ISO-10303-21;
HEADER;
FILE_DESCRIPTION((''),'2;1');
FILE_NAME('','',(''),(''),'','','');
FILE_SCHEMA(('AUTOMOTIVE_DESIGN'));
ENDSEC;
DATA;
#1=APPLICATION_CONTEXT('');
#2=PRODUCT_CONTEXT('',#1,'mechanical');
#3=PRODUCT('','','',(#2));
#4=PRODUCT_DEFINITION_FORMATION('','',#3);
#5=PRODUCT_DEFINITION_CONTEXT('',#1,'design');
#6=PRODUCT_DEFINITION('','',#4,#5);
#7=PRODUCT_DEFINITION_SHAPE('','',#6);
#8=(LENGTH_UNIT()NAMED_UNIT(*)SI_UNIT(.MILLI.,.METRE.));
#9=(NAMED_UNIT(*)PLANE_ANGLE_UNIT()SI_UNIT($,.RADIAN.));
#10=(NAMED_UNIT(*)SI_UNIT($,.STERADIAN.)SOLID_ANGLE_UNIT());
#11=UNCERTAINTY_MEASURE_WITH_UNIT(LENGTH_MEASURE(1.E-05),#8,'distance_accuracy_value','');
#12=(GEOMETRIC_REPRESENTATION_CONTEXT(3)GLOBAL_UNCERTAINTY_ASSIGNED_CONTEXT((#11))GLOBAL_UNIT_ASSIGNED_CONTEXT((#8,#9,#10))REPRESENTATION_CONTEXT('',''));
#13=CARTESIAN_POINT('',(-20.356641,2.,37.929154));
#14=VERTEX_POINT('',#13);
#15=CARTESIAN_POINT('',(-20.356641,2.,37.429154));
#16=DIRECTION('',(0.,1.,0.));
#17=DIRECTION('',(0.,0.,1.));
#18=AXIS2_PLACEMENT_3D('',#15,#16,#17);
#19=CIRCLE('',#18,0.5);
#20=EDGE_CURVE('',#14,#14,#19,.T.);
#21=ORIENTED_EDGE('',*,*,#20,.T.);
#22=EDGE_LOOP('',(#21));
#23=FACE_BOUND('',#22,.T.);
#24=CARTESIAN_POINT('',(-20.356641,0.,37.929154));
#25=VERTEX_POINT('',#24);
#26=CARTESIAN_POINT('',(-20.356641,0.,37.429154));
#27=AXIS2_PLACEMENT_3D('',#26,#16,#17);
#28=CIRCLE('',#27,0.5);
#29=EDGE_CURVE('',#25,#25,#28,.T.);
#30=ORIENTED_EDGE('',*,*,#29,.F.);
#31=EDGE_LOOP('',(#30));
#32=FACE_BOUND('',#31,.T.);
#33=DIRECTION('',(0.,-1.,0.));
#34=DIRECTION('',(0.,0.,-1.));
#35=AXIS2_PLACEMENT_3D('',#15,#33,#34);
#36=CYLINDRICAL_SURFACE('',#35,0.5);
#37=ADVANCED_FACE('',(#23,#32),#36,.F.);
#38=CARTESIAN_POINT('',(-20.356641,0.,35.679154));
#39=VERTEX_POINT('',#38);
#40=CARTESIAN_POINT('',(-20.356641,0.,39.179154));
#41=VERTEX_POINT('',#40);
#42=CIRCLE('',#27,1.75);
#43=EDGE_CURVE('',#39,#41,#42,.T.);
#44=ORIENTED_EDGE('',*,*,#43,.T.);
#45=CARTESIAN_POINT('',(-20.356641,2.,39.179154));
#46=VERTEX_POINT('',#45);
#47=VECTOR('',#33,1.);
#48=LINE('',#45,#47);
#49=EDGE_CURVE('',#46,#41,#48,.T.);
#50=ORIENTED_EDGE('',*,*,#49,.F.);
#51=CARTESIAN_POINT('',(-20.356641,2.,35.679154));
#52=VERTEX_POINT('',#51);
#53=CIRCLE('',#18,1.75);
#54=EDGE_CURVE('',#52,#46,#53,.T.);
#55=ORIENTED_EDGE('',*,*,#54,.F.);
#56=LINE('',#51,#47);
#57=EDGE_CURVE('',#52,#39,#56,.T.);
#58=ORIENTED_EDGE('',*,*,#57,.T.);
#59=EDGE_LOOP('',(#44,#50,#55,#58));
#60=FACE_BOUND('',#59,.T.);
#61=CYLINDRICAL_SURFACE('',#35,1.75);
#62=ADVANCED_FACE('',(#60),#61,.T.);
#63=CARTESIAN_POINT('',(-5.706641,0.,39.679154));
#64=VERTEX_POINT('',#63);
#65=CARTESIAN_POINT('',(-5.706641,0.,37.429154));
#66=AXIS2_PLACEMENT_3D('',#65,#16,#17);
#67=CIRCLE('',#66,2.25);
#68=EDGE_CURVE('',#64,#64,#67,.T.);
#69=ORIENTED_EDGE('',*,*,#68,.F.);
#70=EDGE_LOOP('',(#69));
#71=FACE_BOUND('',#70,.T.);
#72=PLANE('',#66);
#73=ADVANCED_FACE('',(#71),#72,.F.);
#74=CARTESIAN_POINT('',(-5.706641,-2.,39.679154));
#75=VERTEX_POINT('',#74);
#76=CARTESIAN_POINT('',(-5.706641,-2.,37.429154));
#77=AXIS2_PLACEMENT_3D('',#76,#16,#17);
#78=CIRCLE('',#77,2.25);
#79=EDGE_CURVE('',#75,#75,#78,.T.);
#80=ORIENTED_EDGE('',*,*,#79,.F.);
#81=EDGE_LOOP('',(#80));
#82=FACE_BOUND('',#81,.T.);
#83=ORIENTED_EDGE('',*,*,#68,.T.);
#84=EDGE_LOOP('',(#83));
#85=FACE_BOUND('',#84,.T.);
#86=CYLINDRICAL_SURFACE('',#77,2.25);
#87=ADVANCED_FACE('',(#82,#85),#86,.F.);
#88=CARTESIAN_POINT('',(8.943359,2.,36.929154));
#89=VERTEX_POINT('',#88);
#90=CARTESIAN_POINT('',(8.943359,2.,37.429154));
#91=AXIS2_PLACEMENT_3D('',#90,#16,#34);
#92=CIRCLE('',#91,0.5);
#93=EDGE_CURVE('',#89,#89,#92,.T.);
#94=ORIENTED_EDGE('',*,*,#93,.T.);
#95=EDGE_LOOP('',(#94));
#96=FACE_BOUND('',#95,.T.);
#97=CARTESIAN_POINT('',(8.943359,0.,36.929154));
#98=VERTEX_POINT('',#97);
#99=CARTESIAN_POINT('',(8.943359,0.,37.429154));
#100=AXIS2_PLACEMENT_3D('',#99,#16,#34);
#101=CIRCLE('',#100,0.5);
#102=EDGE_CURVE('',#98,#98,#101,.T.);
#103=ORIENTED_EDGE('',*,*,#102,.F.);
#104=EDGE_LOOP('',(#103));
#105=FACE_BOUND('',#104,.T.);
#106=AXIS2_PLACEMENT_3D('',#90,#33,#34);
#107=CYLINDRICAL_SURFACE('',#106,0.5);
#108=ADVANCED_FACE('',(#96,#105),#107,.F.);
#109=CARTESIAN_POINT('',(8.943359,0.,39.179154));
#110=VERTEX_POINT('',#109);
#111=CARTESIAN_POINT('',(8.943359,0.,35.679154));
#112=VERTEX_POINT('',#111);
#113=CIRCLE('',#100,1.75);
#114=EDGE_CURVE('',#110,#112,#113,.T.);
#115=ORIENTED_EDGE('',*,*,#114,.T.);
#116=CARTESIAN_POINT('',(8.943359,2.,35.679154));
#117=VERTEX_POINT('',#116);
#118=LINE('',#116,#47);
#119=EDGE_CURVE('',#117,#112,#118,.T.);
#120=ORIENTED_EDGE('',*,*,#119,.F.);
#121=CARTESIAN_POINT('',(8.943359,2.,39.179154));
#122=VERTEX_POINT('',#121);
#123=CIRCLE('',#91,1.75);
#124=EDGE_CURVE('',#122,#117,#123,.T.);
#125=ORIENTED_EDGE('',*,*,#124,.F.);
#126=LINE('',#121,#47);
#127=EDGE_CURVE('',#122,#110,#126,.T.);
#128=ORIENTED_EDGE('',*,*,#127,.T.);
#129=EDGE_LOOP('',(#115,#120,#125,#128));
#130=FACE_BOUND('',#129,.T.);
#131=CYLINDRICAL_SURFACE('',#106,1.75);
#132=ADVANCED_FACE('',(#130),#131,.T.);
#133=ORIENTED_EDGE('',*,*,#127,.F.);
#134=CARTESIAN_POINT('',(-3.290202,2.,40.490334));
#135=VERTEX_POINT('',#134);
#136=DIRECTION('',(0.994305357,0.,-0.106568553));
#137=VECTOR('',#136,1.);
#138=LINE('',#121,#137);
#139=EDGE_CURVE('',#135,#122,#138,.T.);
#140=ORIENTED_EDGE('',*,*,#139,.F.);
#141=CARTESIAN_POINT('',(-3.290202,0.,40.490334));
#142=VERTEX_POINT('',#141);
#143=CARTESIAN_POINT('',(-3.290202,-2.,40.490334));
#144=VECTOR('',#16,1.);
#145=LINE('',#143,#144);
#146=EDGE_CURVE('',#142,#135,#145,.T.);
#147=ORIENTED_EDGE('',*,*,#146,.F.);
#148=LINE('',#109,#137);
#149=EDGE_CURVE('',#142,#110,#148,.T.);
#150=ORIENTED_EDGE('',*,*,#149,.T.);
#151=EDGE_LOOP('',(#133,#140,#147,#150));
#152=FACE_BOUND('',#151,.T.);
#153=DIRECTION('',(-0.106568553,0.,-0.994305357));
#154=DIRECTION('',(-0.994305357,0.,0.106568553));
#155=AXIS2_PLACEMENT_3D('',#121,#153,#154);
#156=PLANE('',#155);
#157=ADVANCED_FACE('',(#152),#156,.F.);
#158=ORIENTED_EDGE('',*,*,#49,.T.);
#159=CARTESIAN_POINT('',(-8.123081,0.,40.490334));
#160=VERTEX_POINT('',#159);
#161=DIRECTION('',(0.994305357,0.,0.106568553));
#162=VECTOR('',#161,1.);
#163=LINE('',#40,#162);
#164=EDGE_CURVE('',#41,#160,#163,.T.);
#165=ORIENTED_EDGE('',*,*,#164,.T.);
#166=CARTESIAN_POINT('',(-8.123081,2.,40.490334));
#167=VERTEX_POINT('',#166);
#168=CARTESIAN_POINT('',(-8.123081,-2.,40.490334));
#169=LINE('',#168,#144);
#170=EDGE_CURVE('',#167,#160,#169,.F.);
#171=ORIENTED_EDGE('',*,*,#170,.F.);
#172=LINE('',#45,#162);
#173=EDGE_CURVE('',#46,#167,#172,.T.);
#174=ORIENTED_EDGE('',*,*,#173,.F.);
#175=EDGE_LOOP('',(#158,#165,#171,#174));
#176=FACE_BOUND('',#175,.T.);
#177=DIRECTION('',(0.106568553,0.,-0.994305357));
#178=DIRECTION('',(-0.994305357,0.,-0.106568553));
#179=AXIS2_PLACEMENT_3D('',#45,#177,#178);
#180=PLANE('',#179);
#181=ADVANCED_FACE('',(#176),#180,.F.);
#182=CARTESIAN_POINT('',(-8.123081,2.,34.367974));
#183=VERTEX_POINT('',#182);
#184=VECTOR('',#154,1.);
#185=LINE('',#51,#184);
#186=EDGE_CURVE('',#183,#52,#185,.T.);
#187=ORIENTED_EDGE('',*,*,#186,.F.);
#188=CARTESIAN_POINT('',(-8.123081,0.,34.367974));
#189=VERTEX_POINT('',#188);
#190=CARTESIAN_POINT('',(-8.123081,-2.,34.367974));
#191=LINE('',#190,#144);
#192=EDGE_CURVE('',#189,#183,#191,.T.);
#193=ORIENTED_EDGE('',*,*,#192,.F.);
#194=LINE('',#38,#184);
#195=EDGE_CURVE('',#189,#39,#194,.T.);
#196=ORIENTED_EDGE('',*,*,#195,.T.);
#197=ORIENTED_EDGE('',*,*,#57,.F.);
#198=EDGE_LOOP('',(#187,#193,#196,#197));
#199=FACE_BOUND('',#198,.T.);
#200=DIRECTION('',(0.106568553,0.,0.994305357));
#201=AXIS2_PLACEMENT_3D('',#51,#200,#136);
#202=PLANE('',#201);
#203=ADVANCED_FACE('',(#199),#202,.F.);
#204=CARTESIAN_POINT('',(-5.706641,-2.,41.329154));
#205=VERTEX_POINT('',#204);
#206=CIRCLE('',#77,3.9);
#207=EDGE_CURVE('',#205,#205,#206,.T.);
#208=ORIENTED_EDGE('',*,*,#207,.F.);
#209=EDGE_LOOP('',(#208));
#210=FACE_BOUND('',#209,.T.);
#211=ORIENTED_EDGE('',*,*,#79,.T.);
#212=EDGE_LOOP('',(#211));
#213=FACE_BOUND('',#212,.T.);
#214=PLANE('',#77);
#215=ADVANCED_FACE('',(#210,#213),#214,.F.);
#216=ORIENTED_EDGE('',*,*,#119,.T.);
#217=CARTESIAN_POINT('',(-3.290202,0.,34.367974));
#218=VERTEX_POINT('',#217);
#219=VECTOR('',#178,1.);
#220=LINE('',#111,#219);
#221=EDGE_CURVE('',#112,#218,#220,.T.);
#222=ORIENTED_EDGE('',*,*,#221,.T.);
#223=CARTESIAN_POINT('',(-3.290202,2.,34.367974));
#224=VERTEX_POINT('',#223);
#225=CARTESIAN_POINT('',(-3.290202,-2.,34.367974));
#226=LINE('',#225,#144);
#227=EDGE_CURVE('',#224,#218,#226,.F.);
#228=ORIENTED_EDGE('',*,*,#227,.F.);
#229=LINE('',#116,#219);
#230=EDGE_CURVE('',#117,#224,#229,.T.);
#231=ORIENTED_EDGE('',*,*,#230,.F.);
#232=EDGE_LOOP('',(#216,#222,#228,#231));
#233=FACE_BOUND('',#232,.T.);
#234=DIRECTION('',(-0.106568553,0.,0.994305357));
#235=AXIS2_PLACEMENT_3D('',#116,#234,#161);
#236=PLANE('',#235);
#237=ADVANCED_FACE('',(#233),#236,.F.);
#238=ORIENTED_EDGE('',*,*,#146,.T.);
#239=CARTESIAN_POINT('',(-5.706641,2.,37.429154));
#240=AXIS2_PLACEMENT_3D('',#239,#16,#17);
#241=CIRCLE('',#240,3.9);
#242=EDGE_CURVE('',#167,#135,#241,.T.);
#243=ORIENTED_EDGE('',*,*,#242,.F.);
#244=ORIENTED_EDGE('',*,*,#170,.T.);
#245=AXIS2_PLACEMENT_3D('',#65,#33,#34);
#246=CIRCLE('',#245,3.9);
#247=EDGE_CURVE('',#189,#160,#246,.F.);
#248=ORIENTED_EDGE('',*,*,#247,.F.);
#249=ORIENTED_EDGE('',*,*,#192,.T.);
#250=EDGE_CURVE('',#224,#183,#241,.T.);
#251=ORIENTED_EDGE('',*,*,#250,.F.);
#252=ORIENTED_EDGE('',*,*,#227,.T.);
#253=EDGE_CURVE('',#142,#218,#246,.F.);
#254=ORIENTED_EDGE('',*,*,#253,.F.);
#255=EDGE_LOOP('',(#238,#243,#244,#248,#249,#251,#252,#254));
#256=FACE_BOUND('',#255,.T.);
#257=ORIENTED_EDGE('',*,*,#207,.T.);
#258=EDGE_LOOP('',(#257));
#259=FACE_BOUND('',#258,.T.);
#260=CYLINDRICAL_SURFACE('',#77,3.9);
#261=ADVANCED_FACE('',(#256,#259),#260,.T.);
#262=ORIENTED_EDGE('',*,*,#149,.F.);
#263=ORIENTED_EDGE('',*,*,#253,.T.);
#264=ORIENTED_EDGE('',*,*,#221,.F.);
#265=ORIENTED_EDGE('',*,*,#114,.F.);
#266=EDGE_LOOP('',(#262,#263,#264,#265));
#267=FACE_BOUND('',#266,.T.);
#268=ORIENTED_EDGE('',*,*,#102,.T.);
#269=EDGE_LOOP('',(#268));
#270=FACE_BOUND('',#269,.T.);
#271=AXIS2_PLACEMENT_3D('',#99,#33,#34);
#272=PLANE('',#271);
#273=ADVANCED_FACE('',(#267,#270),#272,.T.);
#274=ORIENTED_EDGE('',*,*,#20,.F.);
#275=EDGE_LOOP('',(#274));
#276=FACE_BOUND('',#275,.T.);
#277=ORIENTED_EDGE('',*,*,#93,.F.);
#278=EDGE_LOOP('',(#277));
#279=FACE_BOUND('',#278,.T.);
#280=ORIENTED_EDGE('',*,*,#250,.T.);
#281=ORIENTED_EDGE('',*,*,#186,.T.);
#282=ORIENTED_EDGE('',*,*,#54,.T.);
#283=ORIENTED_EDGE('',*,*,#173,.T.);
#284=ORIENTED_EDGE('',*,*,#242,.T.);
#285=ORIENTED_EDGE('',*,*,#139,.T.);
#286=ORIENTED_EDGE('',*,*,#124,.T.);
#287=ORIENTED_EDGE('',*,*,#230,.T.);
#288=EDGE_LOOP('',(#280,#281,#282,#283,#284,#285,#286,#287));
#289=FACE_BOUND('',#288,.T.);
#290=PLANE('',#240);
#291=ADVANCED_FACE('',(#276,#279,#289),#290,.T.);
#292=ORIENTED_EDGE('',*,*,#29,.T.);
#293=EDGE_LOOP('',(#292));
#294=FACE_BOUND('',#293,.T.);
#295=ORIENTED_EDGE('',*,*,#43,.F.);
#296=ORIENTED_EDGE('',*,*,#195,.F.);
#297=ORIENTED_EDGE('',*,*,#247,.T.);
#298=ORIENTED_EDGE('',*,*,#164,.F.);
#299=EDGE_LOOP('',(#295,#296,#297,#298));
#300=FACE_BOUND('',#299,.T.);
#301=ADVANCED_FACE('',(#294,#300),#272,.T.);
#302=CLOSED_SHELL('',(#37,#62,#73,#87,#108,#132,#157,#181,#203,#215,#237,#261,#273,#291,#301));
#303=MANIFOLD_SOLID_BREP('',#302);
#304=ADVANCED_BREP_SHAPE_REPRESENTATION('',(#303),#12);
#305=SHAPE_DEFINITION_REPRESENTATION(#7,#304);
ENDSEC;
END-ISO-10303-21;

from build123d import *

# Parameters (mm, degrees)
SKETCH3_R                = 3.9
BOSS_EXTRUDE1_DEPTH      = 2
BOSS_EXTRUDE1_DEPTH_BACK = 2
SKETCH5_R                = 0.5
BOSS_EXTRUDE4_DEPTH      = 2
SKETCH4_R                = 2.25
CUT_EXTRUDE1_DEPTH       = 3


with BuildPart() as part:
    # Sketch3 → Boss-Extrude1 (new body, two sides)
    with BuildSketch(Plane(origin=(0, 0, 0), x_dir=(1, 0, 0), z_dir=(0, 1, 0))) as boss_extrude1_sk:
        with Locations((-5.706641347, -37.429153992)):
            Circle(SKETCH3_R)
    extrude(amount=BOSS_EXTRUDE1_DEPTH)
    extrude(boss_extrude1_sk.sketch, amount=-BOSS_EXTRUDE1_DEPTH_BACK)

    # Sketch5 → Boss-Extrude4 (add)
    with BuildSketch(Plane(origin=(0, 0, 0), x_dir=(1, 0, 0), z_dir=(0, 1, 0))):
        with BuildLine():
            Line((8.943358653, -35.679153992), (-5.706641347, -34.108983126))
            Line((-5.706641347, -34.108983126), (-20.356641347, -35.679153992))
            ThreePointArc((-20.356641347, -35.679153992), (-22.106641347, -37.429153992), (-20.356641347, -39.179153992))
            Line((-20.356641347, -39.179153992), (-5.706641347, -40.749324858))
            Line((-5.706641347, -40.749324858), (8.943358653, -39.179153992))
            ThreePointArc((8.943358653, -39.179153992), (10.693358653, -37.429153992), (8.943358653, -35.679153992))
        make_face()
        with Locations((8.943358653, -37.429153992)):
            Circle(SKETCH5_R, mode=Mode.SUBTRACT)
        with Locations((-20.356641347, -37.429153992)):
            Circle(SKETCH5_R, mode=Mode.SUBTRACT)
    extrude(amount=BOSS_EXTRUDE4_DEPTH)

    # Sketch4 → Cut-Extrude1 (cut, through all)
    with BuildSketch(Plane(origin=(0, 0, 0), x_dir=(1, 0, 0), z_dir=(0, 1, 0))):
        with Locations((-5.706641347, -37.429153992)):
            Circle(SKETCH4_R)
    extrude(amount=-CUT_EXTRUDE1_DEPTH, mode=Mode.SUBTRACT)


solid = part.part
